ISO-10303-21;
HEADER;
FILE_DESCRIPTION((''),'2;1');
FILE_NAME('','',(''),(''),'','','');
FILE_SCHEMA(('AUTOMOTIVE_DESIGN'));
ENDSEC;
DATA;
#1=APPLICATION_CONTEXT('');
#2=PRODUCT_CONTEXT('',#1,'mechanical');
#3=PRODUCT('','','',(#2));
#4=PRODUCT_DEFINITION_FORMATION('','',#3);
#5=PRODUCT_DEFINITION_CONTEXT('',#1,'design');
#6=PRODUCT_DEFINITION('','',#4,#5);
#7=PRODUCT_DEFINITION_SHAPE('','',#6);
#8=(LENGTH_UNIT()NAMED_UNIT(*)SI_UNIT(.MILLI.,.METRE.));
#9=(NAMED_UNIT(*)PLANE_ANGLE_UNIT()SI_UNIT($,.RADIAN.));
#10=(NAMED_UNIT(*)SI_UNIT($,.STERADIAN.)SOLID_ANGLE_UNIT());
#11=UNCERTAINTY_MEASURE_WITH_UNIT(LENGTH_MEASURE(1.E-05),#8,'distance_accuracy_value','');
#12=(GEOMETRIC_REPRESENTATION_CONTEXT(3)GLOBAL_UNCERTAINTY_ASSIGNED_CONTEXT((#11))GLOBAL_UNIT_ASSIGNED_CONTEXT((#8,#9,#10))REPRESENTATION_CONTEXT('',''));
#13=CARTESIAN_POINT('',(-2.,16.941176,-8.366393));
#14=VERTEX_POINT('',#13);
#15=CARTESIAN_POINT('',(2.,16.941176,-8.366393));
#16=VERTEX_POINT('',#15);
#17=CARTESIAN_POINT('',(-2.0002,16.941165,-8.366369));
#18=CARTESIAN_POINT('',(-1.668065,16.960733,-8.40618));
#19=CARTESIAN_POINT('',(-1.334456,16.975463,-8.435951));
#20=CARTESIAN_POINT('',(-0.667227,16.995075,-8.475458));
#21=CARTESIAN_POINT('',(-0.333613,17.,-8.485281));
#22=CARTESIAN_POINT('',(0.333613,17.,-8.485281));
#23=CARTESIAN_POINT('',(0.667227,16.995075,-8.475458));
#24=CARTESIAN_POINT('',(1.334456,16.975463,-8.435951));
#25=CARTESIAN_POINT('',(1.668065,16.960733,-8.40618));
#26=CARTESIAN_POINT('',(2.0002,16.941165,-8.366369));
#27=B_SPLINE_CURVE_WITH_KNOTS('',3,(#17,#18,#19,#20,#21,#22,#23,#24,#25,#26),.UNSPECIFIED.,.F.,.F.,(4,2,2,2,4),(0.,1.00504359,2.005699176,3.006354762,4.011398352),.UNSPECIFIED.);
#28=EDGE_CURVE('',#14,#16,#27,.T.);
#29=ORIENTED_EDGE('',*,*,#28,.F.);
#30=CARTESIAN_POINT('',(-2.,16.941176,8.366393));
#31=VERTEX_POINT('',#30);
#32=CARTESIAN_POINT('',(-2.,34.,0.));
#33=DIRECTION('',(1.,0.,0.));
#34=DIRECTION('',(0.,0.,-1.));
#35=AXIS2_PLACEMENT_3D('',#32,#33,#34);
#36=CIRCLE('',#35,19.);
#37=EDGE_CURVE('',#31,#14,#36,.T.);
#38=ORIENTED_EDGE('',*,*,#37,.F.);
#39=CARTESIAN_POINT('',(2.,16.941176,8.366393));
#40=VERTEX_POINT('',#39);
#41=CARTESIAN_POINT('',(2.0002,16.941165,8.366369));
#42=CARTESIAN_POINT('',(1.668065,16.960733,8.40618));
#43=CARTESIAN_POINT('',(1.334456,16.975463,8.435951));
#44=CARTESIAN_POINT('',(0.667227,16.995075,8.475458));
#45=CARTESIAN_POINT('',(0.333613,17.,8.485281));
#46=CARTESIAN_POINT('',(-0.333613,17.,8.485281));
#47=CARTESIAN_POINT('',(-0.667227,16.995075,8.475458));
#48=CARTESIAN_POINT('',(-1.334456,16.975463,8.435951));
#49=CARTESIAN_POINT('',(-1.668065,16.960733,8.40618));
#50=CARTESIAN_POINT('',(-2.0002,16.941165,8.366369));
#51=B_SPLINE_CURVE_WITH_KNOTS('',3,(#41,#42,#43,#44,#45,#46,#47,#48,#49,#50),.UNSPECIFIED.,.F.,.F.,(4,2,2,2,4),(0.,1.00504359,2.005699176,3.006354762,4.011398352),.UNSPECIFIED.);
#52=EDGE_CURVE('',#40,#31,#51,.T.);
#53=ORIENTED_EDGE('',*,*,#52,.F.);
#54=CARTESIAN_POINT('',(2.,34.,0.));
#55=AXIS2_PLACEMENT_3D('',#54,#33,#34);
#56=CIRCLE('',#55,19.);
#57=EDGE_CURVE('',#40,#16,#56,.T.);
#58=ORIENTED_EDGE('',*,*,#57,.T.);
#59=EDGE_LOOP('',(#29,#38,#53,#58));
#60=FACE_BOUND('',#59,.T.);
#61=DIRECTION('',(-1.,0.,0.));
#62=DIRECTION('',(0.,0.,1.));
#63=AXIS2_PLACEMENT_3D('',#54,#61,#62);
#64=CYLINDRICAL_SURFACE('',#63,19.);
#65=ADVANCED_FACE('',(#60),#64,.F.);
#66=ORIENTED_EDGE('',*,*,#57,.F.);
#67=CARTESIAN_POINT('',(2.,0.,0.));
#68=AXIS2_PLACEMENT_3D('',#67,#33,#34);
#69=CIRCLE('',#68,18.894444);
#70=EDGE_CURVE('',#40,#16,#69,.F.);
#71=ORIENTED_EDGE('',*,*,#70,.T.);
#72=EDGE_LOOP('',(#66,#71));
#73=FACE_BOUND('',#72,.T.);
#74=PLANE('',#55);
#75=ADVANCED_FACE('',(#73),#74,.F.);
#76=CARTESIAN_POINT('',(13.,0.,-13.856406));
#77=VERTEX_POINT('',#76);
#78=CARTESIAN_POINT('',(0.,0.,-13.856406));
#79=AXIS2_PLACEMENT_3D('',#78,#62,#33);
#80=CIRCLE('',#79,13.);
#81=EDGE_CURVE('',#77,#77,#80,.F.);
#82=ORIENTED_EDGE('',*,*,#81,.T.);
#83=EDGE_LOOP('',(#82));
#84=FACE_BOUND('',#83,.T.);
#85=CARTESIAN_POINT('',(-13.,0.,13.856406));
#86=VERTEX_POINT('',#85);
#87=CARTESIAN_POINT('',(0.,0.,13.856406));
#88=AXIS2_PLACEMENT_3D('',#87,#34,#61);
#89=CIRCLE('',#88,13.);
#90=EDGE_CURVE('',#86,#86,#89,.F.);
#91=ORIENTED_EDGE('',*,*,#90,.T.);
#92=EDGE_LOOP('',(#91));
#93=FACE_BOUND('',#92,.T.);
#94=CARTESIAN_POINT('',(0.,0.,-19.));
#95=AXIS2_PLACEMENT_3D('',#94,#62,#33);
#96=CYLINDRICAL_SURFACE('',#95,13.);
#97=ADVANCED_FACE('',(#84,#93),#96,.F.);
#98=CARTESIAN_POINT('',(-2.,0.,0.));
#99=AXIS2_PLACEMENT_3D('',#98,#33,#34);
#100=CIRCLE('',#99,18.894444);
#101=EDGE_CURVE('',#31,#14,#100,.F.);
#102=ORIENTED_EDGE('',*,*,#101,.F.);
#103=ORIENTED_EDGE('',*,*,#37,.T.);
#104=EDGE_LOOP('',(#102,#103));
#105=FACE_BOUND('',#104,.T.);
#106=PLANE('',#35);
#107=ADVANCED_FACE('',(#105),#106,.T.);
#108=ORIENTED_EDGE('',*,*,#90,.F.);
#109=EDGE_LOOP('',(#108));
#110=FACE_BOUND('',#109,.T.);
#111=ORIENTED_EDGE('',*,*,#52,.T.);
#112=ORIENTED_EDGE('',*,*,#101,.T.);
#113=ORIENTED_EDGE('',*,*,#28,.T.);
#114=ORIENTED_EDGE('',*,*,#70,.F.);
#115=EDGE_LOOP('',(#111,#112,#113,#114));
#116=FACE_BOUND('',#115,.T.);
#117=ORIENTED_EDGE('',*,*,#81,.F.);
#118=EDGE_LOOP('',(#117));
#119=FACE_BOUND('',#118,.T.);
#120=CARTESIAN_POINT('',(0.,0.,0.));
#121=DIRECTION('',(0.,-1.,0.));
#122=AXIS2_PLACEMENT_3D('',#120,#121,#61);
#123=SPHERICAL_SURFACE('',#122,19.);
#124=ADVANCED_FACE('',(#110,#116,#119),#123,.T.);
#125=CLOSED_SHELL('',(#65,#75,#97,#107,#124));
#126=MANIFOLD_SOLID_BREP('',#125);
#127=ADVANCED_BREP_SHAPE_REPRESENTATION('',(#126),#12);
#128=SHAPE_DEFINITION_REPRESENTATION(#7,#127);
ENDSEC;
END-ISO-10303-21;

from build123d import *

# Parameters (mm, degrees)
WYTNIJ_WYCI_GNI_CIE1_DEPTH      = 33.908965344
WYTNIJ_WYCI_GNI_CIE1_DEPTH_BACK = 33.908965344
SZKIC2_R                        = 13
WYTNIJ_WYCI_GNI_CIE4_DEPTH      = 2
WYTNIJ_WYCI_GNI_CIE4_DEPTH_BACK = 2
SZKIC5_R                        = 19


with BuildPart() as part:
    # Szkic1 → Obrót1 (revolve)
    with BuildSketch(Plane.XY):
        with BuildLine():
            ThreePointArc((0, -19), (19, 0), (0, 19))
            Line((0, 19), (0, -19))
        make_face()
    revolve(axis=Axis((0, -27.54752711, 0), (0, 1, 0)))

    # Szkic2 → Wytnij-wyciągnięcie1 (cut, two sides: drawn at the far end of the back side and taken through both)
    with BuildSketch(Plane.XY.offset(-WYTNIJ_WYCI_GNI_CIE1_DEPTH_BACK)):
        Circle(SZKIC2_R)
    extrude(amount=WYTNIJ_WYCI_GNI_CIE1_DEPTH + WYTNIJ_WYCI_GNI_CIE1_DEPTH_BACK, mode=Mode.SUBTRACT)

    # Szkic5 → Wytnij-wyciągnięcie4 (cut, two sides: drawn at the far end of the back side and taken through both)
    with BuildSketch(Plane(origin=(0, 0, 0), x_dir=(0, 0, -1), z_dir=(1, 0, 0)).offset(-WYTNIJ_WYCI_GNI_CIE4_DEPTH_BACK)):
        with Locations((0, 34)):
            Circle(SZKIC5_R)
    extrude(amount=WYTNIJ_WYCI_GNI_CIE4_DEPTH + WYTNIJ_WYCI_GNI_CIE4_DEPTH_BACK, mode=Mode.SUBTRACT)


solid = part.part
